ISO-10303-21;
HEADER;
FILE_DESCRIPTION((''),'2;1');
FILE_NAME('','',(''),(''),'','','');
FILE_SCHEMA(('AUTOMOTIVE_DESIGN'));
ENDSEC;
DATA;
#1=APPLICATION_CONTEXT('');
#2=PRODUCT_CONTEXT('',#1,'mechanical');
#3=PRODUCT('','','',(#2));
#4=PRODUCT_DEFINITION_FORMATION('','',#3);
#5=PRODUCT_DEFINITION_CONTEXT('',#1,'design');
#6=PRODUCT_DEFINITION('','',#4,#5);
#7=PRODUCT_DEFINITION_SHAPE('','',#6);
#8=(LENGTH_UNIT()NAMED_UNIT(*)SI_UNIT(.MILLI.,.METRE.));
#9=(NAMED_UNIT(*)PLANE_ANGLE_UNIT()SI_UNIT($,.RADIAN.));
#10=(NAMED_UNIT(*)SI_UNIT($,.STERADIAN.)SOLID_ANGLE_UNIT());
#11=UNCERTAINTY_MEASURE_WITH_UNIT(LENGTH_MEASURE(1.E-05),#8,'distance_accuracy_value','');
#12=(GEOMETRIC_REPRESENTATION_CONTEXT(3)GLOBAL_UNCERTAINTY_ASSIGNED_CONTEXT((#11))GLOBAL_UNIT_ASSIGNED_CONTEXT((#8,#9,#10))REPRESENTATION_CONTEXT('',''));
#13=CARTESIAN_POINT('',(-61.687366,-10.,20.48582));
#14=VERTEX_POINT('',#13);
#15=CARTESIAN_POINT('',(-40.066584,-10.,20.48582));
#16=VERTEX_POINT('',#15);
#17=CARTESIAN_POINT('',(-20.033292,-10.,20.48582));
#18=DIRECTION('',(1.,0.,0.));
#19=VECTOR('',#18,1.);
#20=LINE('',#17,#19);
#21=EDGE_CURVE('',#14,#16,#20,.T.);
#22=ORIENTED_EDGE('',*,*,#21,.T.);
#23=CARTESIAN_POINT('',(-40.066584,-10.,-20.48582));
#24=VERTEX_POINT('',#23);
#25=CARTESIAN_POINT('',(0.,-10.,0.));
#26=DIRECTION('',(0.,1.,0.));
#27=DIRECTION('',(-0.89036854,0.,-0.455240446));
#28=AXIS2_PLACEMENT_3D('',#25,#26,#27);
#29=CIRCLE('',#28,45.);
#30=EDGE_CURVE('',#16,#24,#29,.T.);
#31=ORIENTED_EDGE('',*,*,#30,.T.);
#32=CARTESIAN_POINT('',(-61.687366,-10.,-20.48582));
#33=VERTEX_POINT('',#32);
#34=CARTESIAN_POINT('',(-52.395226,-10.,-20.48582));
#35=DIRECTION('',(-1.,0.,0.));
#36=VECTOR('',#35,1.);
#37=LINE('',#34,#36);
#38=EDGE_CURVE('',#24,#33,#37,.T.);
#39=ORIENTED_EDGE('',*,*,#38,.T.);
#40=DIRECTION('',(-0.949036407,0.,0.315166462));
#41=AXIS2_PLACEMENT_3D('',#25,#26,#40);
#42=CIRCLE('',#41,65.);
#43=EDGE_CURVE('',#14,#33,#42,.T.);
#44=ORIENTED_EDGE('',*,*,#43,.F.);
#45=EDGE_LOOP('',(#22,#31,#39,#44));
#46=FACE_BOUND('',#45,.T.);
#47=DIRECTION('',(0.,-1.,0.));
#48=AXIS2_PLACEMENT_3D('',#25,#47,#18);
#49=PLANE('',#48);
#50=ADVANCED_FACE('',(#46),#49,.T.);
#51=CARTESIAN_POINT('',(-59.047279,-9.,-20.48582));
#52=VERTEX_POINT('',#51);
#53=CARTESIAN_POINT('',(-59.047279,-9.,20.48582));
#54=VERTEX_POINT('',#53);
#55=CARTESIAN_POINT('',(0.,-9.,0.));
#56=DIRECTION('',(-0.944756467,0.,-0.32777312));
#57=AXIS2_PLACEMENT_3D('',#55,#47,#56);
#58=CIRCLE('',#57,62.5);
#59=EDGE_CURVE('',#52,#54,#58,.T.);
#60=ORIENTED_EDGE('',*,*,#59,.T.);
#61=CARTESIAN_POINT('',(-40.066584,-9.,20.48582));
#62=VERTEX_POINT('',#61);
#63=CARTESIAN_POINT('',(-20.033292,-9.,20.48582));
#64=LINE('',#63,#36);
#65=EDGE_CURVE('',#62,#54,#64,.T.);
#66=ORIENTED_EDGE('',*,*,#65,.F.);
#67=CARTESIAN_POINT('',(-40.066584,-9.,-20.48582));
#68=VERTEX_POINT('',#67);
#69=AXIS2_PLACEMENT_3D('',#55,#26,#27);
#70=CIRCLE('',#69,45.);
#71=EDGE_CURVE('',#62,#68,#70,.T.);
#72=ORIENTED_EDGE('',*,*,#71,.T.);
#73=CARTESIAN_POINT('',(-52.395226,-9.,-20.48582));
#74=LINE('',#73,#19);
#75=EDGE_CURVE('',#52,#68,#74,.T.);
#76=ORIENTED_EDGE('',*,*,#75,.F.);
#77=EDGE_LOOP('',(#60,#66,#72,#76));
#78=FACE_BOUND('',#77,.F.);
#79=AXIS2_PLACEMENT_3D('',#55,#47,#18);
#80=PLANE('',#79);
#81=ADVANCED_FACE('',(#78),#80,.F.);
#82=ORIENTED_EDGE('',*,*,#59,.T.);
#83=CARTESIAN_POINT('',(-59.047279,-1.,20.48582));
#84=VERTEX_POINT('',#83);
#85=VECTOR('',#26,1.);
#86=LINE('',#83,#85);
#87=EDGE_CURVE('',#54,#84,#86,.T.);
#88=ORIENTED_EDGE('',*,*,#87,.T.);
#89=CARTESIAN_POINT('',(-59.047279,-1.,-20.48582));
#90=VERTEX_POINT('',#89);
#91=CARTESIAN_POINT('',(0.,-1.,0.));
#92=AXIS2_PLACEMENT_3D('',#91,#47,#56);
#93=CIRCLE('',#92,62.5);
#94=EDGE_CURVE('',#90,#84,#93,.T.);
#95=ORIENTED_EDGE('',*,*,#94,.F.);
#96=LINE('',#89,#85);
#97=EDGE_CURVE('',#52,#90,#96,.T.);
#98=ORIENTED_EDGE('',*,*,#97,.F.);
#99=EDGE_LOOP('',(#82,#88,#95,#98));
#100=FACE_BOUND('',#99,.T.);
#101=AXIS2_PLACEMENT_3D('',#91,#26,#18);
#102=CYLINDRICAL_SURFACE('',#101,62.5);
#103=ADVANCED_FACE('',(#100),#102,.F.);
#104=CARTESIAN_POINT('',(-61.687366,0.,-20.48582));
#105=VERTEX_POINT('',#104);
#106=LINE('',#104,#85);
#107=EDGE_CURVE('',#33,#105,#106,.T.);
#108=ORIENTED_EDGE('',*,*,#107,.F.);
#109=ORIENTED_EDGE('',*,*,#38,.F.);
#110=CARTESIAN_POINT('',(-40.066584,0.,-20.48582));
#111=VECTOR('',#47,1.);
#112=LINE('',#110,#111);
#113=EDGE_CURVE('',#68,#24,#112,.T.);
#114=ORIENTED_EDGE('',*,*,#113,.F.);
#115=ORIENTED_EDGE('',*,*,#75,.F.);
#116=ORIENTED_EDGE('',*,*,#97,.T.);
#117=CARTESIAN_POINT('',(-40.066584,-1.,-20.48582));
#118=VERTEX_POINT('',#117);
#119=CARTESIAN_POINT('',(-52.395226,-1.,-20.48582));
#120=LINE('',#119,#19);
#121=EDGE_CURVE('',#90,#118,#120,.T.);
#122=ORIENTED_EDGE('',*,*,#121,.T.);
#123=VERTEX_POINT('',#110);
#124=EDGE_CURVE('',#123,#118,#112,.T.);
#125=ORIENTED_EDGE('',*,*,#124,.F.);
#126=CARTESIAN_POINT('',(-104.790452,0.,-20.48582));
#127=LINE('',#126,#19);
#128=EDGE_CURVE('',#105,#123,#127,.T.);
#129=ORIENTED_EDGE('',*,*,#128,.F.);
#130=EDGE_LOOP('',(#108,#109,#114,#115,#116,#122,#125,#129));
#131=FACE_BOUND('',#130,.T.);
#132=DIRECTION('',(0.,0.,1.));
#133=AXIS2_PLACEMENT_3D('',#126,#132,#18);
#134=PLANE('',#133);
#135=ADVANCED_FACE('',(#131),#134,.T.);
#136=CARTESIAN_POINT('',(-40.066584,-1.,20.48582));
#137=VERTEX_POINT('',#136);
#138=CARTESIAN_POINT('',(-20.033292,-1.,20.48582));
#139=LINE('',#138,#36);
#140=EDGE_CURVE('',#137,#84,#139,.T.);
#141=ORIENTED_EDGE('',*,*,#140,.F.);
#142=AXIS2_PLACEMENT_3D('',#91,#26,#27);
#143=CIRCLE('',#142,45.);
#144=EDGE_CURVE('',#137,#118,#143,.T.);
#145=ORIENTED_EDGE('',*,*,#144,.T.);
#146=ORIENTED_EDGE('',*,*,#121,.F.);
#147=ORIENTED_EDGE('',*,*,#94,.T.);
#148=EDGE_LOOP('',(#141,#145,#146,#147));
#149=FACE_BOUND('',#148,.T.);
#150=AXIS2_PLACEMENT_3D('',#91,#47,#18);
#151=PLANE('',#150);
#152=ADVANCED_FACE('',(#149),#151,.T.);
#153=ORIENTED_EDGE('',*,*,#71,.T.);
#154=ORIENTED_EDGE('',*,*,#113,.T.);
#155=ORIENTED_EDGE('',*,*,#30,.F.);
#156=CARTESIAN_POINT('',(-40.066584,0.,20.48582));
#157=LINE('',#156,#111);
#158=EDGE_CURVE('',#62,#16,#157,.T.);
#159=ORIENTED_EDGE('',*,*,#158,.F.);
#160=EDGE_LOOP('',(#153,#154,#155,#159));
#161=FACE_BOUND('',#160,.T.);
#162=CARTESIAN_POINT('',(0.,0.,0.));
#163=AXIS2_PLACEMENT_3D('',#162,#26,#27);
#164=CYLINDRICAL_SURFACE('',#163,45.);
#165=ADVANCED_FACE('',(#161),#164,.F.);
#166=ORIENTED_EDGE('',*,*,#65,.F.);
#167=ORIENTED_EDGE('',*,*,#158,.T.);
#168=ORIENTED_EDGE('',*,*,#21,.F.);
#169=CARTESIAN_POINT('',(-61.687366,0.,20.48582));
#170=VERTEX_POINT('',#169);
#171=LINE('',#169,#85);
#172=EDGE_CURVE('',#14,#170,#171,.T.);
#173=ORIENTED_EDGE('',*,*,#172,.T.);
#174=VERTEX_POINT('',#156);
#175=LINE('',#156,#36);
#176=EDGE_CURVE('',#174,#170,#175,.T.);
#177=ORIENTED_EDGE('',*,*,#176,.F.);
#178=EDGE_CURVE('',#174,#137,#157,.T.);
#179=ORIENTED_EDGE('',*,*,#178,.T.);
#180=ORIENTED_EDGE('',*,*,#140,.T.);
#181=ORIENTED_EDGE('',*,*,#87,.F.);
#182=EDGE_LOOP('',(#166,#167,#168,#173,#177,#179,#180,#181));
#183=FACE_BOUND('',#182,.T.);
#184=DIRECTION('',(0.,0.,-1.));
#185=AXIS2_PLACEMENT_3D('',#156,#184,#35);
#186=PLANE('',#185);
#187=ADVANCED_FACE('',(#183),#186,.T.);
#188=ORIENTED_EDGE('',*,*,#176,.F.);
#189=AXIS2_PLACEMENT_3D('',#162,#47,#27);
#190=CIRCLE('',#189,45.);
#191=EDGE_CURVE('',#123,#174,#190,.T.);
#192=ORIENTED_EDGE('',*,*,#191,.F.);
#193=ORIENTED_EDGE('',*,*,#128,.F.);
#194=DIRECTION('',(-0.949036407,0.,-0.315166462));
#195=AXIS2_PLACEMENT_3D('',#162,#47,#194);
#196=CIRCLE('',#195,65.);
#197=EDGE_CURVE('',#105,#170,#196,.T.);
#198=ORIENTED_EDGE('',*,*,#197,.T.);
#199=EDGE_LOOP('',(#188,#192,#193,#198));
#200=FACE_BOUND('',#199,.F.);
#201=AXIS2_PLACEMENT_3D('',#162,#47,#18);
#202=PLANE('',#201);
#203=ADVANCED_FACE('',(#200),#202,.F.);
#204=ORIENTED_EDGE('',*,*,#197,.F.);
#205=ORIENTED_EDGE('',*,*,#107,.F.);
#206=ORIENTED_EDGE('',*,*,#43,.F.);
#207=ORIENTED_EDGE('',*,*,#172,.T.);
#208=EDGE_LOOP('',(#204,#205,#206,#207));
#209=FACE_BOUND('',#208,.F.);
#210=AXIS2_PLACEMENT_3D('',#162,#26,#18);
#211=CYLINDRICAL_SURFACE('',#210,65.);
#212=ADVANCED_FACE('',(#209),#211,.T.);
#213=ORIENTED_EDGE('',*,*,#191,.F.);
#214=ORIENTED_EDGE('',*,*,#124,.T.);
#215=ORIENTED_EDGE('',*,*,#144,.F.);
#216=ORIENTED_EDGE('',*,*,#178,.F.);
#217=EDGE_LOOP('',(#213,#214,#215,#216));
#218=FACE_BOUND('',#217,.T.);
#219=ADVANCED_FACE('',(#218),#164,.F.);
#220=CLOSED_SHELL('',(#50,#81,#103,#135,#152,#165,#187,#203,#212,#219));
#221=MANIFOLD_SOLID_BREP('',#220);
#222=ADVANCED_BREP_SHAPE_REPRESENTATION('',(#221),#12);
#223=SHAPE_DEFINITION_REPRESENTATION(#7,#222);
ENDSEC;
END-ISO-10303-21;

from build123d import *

# Parameters (mm, degrees)
F0_R     = 65
F1_DEPTH = 10
F3_DEPTH = 10.001
F5_R     = 62.5
F6_DEPTH = 8


with BuildPart() as f1:
    # F0 (on Front) → F1 (new body)
    with BuildSketch(Plane.XZ):
        Circle(F0_R)
    extrude(amount=F1_DEPTH)

    # F2 (on Front) → F3 (cut, through all)
    with BuildSketch(Plane.XZ):
        with BuildLine():
            Line((-104.790452, -20.48582), (-40.066584, -20.48582))
            ThreePointArc((-40.066584, -20.48582), (45, 0), (-40.066584, 20.48582))
            Line((-40.066584, 20.48582), (-167.11625, 20.48582))
            Line((-167.11625, 20.48582), (-104.790452, -20.48582))
        make_face()
    extrude(amount=F3_DEPTH, mode=Mode.SUBTRACT)

    # F5 (on offset) → F6 (cut)
    with BuildSketch(Plane.XZ.offset(1)):
        Circle(F5_R)
    extrude(amount=F6_DEPTH, mode=Mode.SUBTRACT)


solid = f1.part
